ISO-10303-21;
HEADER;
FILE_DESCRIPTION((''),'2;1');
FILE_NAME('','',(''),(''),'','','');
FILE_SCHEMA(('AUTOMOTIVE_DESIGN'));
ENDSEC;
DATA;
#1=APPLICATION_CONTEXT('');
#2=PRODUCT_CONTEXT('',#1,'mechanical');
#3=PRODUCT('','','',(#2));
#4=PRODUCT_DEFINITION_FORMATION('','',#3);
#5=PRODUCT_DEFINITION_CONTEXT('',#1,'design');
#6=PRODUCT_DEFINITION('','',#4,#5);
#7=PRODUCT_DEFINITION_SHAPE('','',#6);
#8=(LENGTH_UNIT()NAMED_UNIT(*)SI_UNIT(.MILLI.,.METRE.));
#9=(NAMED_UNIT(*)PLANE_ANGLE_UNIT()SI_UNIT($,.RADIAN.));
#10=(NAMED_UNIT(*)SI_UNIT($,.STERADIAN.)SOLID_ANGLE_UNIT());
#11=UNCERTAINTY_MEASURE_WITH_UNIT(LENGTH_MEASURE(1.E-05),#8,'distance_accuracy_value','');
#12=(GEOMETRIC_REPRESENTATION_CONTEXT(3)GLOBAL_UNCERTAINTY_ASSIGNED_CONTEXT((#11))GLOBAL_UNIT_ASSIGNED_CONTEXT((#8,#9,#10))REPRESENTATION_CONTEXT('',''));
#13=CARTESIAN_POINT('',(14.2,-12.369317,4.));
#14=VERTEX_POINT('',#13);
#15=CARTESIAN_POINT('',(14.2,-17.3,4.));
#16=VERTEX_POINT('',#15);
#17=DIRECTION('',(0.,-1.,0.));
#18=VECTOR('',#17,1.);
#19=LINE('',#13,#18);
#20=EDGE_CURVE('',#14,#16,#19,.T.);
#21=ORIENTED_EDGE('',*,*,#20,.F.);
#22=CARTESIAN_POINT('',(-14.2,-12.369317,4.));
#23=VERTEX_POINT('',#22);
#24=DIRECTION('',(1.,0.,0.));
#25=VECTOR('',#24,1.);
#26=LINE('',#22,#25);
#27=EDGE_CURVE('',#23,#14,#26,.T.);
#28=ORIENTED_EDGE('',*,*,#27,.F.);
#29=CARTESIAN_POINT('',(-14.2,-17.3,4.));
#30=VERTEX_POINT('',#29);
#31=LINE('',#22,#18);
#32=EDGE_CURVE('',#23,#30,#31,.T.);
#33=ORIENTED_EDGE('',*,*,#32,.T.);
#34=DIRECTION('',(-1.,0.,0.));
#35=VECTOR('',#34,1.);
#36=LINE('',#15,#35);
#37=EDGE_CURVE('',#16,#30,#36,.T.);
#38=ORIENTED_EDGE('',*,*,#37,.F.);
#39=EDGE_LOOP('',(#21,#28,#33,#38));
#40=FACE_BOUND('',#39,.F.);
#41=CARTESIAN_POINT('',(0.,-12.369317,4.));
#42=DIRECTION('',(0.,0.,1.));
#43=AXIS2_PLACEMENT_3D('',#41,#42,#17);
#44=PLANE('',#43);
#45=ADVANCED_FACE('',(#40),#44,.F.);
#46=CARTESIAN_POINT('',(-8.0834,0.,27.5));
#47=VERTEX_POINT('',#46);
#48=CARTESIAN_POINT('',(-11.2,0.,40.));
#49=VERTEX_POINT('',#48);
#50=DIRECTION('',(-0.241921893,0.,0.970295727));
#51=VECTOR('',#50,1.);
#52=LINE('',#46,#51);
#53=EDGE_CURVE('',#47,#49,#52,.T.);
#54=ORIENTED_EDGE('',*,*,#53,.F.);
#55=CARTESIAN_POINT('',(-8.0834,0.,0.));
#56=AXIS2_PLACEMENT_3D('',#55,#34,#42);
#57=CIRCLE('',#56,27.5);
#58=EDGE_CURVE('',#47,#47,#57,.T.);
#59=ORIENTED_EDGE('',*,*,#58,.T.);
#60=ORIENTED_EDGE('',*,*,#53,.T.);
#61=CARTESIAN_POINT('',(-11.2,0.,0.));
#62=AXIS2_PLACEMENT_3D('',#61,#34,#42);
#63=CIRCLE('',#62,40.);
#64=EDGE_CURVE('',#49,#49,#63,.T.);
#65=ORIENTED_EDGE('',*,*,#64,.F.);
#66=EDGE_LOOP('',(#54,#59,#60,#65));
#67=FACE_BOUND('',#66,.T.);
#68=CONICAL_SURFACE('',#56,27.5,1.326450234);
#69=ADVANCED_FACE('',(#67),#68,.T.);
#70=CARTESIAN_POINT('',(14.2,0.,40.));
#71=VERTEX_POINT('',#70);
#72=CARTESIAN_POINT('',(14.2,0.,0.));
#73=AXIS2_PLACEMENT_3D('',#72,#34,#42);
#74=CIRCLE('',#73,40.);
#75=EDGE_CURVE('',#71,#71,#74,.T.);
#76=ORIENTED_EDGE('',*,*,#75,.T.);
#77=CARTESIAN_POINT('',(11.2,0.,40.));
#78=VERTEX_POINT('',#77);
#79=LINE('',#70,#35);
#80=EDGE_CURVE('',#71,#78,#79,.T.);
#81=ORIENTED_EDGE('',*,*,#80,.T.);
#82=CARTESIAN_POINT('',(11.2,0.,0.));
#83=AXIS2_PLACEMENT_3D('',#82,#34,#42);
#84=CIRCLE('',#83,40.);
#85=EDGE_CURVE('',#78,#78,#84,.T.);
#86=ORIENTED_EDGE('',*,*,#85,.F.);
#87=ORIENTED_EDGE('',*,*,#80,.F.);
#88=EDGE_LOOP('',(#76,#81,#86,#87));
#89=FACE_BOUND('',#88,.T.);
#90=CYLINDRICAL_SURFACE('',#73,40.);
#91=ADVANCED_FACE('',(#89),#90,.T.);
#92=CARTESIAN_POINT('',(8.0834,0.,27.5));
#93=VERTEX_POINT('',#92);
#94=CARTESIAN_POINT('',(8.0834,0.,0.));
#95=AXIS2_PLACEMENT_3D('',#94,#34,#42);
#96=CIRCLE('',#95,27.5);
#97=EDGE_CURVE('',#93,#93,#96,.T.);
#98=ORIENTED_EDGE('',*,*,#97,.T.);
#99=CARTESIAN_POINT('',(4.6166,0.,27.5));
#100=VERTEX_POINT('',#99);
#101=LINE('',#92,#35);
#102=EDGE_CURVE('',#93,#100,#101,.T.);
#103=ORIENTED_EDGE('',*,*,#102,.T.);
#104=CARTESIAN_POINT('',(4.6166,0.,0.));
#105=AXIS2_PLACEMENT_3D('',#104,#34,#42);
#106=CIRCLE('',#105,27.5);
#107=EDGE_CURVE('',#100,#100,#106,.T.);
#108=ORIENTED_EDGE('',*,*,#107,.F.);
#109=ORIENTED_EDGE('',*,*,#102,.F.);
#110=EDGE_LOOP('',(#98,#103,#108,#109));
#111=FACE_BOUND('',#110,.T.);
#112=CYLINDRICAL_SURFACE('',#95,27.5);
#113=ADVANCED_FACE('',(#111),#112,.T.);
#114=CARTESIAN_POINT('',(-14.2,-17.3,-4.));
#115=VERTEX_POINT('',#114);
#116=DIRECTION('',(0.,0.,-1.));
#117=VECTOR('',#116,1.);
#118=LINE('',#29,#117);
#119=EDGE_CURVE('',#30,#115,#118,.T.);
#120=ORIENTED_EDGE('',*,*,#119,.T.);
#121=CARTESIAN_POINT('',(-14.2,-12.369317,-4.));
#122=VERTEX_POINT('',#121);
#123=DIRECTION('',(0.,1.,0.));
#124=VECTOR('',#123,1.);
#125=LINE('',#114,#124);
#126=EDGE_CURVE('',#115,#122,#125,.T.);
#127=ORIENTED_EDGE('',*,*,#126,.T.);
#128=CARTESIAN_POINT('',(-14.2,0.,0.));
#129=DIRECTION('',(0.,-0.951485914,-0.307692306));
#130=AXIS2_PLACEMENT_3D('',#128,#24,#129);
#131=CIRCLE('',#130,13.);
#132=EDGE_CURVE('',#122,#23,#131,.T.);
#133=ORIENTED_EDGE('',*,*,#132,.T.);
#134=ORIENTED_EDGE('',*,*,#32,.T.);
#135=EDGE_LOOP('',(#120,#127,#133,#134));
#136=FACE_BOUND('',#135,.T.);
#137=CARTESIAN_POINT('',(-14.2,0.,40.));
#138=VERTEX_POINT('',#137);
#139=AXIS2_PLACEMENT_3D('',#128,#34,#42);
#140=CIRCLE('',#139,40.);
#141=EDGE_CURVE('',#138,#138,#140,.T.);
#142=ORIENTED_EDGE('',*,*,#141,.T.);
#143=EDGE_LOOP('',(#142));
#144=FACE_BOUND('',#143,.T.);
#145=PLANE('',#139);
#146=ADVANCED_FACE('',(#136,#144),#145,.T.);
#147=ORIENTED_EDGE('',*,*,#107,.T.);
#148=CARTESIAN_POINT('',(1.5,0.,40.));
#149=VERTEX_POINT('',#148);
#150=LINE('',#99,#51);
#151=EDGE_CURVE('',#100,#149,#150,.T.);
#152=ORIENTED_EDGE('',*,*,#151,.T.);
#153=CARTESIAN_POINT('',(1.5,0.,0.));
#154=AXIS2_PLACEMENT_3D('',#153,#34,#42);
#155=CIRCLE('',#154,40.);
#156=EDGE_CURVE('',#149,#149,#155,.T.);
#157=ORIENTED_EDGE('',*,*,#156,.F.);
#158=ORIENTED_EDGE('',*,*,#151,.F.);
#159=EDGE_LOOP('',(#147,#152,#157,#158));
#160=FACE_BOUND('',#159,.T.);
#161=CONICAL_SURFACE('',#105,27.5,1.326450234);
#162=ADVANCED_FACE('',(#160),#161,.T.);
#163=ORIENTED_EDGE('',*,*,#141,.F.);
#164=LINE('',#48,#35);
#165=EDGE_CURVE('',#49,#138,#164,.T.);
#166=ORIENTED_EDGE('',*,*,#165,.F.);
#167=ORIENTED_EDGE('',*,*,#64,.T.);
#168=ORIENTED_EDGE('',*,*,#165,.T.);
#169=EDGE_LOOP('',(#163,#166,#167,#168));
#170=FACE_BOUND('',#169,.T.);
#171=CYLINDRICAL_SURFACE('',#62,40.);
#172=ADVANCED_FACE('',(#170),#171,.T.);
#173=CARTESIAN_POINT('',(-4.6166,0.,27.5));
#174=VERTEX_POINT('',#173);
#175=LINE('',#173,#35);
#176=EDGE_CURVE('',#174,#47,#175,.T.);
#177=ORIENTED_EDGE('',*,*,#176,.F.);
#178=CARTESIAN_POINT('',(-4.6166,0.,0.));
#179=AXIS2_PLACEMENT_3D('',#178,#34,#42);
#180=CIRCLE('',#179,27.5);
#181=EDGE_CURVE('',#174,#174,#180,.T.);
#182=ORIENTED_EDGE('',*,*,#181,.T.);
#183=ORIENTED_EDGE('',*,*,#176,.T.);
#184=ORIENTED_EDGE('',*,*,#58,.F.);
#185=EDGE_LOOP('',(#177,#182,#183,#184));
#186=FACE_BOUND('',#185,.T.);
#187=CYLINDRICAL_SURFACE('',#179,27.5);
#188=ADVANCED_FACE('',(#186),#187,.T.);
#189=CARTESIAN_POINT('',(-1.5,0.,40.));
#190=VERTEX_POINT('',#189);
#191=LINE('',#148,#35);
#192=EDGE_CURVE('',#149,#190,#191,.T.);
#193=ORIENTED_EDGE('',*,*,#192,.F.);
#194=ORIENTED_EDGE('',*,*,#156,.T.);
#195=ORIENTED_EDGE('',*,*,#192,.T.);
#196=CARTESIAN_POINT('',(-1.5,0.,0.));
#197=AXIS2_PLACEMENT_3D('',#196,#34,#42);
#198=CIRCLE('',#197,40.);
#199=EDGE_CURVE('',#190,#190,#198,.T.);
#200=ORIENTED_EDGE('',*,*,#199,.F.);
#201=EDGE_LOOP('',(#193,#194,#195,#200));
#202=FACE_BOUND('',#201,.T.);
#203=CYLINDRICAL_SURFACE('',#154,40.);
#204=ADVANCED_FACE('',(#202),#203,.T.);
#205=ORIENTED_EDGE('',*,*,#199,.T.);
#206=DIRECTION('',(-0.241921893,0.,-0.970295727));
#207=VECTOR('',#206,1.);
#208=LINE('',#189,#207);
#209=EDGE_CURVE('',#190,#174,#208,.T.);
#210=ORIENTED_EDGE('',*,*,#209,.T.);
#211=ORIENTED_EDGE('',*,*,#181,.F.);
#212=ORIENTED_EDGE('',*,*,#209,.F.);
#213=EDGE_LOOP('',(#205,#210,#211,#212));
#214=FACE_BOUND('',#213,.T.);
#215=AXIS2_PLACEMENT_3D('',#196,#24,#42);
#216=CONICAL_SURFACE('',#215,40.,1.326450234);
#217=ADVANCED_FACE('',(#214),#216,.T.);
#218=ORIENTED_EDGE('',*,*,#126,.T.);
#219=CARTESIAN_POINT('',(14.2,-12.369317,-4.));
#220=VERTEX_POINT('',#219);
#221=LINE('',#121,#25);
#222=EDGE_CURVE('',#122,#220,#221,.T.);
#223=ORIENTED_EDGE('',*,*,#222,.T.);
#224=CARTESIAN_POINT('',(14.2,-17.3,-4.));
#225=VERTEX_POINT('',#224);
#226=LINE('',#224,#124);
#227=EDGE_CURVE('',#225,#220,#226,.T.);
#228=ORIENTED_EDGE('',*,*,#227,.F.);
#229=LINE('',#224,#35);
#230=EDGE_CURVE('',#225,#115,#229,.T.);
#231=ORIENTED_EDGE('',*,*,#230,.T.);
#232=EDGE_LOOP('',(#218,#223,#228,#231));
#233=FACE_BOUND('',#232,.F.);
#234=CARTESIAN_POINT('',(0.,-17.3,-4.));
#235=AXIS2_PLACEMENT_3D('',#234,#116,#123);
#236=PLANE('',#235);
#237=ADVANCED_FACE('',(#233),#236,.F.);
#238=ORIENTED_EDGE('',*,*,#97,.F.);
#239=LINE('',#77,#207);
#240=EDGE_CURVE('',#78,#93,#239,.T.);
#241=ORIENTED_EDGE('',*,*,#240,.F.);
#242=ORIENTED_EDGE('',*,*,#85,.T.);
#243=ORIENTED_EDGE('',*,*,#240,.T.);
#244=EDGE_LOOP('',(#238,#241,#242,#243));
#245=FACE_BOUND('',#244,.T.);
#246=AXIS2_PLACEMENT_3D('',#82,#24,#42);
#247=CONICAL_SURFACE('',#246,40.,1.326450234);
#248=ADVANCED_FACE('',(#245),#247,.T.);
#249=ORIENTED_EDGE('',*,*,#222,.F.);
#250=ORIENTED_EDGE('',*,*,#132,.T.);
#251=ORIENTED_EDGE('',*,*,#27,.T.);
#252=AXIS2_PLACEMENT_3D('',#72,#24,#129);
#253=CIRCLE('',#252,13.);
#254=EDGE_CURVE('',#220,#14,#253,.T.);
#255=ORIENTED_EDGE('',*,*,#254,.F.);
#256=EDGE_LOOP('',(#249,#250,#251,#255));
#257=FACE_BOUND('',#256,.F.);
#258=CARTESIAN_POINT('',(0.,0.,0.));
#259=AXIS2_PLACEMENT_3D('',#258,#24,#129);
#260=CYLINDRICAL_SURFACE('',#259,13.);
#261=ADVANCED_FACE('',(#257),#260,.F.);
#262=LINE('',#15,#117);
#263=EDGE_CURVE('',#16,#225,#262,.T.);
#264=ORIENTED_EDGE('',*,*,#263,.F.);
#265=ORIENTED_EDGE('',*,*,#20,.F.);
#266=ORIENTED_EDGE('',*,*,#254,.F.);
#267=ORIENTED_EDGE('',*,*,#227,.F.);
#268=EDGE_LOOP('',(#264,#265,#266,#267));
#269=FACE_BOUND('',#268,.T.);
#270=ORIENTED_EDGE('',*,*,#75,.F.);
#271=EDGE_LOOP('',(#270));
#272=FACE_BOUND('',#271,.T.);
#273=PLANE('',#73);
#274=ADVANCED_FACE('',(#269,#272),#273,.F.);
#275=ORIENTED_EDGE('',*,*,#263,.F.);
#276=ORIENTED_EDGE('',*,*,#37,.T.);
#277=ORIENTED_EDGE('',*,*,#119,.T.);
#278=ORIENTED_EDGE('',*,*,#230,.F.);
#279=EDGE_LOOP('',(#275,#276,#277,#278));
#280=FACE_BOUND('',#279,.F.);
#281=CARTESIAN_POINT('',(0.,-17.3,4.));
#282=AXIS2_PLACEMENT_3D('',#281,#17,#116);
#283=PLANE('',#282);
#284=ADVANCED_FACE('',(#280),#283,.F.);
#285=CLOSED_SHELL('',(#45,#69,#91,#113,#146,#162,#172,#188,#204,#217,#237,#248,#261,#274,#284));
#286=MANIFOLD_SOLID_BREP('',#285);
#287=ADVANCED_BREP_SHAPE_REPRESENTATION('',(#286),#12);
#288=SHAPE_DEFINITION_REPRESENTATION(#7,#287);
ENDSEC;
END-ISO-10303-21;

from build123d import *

# Parameters (mm, degrees)
F3_DEPTH = 14.2


with BuildPart() as f2:
    # F1 (on Front) → F2 (revolve)
    with BuildSketch(Plane.XZ):
        Polygon((-14.2, 40), (-14.2, 0), (14.2, 0), (14.2, 40), (11.2, 40), (8.0834, 27.5), (4.6166, 27.5), (1.5, 40), (-1.5, 40), (-4.6166, 27.5), (-8.0834, 27.5), (-11.2, 40), align=None)
    revolve(axis=Axis((0, 0, 0), (-1, 0, 0)))

    # F0 (on Right) → F3 (cut, symmetric)
    with BuildSketch(Plane.YZ):
        with BuildLine():
            Line((-17.3, -4), (-12.369317, -4))
            ThreePointArc((-12.369317, -4), (13, 0), (-12.369317, 4))
            Line((-12.369317, 4), (-17.3, 4))
            Line((-17.3, 4), (-17.3, -4))
        make_face()
    extrude(amount=F3_DEPTH, both=True, mode=Mode.SUBTRACT)


solid = f2.part
